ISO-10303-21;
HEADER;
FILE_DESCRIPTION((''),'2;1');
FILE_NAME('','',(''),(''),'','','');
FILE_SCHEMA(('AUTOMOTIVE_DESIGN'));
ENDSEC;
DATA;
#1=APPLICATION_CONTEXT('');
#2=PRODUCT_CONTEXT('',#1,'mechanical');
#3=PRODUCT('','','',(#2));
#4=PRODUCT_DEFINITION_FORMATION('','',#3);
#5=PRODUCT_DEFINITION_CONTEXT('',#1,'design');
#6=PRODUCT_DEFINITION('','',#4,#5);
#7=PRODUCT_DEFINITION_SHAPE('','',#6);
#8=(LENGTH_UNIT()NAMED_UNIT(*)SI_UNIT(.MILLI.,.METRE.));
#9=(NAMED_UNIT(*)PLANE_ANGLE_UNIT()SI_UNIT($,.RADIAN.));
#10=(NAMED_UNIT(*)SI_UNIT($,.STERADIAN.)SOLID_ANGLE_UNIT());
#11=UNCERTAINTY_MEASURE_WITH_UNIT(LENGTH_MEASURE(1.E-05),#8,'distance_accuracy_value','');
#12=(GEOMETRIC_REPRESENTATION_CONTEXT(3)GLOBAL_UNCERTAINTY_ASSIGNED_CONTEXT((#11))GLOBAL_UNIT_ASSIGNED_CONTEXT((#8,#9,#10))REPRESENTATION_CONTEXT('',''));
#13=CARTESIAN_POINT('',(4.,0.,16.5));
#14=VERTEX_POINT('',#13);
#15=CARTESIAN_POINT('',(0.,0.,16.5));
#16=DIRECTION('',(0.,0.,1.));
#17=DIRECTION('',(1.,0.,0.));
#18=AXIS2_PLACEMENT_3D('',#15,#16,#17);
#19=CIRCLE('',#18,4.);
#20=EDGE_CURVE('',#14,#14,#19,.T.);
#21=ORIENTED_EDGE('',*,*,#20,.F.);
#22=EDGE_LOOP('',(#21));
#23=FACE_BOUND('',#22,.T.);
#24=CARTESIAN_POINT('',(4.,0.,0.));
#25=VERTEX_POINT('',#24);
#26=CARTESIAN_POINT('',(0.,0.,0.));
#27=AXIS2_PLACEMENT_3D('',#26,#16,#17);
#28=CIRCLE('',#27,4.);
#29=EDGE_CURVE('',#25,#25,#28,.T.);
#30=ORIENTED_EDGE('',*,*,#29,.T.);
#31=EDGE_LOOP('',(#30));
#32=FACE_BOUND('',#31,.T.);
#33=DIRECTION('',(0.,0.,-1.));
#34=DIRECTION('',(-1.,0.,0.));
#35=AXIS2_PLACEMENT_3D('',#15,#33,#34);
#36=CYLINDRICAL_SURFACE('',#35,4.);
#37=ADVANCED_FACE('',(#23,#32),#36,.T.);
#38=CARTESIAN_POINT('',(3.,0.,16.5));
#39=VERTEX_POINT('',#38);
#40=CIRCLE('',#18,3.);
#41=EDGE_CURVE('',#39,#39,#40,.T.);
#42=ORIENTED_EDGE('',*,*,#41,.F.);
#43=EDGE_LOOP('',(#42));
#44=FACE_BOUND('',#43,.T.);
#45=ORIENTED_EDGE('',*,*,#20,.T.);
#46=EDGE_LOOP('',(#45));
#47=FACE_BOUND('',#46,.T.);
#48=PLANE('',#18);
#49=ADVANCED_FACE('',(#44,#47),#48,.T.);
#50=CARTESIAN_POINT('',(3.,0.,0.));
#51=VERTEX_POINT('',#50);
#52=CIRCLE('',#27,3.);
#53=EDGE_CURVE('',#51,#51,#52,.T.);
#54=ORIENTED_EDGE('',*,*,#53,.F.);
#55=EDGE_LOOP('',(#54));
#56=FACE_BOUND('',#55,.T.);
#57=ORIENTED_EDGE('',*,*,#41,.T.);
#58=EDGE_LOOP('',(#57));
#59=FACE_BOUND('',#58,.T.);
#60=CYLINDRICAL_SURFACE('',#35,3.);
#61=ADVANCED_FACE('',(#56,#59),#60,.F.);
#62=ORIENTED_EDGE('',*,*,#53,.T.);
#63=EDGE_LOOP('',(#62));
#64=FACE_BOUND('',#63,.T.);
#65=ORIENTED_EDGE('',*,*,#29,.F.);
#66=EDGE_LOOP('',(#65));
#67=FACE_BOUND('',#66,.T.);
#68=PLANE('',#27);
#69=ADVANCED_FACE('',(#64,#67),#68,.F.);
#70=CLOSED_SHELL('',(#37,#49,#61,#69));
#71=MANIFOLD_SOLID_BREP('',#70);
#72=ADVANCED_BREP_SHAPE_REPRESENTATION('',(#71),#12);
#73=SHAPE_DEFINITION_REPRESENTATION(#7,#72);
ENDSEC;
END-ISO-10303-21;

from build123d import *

# Parameters (mm, degrees)
SKIZZE1_R                       = 4
SKIZZE1_R_2                     = 3
AUFSATZ_LINEAR_AUSTRAGEN1_DEPTH = 16.5


with BuildPart() as part:
    # Skizze1 → Aufsatz-Linear austragen1 (new body)
    with BuildSketch(Plane(origin=(0, 0, 0), x_dir=(0, 1, 0), z_dir=(0, 0, 1))):
        with Locations(Location((0, 0, 0), (0, 0, 270))):
            Circle(SKIZZE1_R)
        with Locations(Location((0, 0, 0), (0, 0, 270))):
            Circle(SKIZZE1_R_2, mode=Mode.SUBTRACT)
    extrude(amount=AUFSATZ_LINEAR_AUSTRAGEN1_DEPTH)


solid = part.part
